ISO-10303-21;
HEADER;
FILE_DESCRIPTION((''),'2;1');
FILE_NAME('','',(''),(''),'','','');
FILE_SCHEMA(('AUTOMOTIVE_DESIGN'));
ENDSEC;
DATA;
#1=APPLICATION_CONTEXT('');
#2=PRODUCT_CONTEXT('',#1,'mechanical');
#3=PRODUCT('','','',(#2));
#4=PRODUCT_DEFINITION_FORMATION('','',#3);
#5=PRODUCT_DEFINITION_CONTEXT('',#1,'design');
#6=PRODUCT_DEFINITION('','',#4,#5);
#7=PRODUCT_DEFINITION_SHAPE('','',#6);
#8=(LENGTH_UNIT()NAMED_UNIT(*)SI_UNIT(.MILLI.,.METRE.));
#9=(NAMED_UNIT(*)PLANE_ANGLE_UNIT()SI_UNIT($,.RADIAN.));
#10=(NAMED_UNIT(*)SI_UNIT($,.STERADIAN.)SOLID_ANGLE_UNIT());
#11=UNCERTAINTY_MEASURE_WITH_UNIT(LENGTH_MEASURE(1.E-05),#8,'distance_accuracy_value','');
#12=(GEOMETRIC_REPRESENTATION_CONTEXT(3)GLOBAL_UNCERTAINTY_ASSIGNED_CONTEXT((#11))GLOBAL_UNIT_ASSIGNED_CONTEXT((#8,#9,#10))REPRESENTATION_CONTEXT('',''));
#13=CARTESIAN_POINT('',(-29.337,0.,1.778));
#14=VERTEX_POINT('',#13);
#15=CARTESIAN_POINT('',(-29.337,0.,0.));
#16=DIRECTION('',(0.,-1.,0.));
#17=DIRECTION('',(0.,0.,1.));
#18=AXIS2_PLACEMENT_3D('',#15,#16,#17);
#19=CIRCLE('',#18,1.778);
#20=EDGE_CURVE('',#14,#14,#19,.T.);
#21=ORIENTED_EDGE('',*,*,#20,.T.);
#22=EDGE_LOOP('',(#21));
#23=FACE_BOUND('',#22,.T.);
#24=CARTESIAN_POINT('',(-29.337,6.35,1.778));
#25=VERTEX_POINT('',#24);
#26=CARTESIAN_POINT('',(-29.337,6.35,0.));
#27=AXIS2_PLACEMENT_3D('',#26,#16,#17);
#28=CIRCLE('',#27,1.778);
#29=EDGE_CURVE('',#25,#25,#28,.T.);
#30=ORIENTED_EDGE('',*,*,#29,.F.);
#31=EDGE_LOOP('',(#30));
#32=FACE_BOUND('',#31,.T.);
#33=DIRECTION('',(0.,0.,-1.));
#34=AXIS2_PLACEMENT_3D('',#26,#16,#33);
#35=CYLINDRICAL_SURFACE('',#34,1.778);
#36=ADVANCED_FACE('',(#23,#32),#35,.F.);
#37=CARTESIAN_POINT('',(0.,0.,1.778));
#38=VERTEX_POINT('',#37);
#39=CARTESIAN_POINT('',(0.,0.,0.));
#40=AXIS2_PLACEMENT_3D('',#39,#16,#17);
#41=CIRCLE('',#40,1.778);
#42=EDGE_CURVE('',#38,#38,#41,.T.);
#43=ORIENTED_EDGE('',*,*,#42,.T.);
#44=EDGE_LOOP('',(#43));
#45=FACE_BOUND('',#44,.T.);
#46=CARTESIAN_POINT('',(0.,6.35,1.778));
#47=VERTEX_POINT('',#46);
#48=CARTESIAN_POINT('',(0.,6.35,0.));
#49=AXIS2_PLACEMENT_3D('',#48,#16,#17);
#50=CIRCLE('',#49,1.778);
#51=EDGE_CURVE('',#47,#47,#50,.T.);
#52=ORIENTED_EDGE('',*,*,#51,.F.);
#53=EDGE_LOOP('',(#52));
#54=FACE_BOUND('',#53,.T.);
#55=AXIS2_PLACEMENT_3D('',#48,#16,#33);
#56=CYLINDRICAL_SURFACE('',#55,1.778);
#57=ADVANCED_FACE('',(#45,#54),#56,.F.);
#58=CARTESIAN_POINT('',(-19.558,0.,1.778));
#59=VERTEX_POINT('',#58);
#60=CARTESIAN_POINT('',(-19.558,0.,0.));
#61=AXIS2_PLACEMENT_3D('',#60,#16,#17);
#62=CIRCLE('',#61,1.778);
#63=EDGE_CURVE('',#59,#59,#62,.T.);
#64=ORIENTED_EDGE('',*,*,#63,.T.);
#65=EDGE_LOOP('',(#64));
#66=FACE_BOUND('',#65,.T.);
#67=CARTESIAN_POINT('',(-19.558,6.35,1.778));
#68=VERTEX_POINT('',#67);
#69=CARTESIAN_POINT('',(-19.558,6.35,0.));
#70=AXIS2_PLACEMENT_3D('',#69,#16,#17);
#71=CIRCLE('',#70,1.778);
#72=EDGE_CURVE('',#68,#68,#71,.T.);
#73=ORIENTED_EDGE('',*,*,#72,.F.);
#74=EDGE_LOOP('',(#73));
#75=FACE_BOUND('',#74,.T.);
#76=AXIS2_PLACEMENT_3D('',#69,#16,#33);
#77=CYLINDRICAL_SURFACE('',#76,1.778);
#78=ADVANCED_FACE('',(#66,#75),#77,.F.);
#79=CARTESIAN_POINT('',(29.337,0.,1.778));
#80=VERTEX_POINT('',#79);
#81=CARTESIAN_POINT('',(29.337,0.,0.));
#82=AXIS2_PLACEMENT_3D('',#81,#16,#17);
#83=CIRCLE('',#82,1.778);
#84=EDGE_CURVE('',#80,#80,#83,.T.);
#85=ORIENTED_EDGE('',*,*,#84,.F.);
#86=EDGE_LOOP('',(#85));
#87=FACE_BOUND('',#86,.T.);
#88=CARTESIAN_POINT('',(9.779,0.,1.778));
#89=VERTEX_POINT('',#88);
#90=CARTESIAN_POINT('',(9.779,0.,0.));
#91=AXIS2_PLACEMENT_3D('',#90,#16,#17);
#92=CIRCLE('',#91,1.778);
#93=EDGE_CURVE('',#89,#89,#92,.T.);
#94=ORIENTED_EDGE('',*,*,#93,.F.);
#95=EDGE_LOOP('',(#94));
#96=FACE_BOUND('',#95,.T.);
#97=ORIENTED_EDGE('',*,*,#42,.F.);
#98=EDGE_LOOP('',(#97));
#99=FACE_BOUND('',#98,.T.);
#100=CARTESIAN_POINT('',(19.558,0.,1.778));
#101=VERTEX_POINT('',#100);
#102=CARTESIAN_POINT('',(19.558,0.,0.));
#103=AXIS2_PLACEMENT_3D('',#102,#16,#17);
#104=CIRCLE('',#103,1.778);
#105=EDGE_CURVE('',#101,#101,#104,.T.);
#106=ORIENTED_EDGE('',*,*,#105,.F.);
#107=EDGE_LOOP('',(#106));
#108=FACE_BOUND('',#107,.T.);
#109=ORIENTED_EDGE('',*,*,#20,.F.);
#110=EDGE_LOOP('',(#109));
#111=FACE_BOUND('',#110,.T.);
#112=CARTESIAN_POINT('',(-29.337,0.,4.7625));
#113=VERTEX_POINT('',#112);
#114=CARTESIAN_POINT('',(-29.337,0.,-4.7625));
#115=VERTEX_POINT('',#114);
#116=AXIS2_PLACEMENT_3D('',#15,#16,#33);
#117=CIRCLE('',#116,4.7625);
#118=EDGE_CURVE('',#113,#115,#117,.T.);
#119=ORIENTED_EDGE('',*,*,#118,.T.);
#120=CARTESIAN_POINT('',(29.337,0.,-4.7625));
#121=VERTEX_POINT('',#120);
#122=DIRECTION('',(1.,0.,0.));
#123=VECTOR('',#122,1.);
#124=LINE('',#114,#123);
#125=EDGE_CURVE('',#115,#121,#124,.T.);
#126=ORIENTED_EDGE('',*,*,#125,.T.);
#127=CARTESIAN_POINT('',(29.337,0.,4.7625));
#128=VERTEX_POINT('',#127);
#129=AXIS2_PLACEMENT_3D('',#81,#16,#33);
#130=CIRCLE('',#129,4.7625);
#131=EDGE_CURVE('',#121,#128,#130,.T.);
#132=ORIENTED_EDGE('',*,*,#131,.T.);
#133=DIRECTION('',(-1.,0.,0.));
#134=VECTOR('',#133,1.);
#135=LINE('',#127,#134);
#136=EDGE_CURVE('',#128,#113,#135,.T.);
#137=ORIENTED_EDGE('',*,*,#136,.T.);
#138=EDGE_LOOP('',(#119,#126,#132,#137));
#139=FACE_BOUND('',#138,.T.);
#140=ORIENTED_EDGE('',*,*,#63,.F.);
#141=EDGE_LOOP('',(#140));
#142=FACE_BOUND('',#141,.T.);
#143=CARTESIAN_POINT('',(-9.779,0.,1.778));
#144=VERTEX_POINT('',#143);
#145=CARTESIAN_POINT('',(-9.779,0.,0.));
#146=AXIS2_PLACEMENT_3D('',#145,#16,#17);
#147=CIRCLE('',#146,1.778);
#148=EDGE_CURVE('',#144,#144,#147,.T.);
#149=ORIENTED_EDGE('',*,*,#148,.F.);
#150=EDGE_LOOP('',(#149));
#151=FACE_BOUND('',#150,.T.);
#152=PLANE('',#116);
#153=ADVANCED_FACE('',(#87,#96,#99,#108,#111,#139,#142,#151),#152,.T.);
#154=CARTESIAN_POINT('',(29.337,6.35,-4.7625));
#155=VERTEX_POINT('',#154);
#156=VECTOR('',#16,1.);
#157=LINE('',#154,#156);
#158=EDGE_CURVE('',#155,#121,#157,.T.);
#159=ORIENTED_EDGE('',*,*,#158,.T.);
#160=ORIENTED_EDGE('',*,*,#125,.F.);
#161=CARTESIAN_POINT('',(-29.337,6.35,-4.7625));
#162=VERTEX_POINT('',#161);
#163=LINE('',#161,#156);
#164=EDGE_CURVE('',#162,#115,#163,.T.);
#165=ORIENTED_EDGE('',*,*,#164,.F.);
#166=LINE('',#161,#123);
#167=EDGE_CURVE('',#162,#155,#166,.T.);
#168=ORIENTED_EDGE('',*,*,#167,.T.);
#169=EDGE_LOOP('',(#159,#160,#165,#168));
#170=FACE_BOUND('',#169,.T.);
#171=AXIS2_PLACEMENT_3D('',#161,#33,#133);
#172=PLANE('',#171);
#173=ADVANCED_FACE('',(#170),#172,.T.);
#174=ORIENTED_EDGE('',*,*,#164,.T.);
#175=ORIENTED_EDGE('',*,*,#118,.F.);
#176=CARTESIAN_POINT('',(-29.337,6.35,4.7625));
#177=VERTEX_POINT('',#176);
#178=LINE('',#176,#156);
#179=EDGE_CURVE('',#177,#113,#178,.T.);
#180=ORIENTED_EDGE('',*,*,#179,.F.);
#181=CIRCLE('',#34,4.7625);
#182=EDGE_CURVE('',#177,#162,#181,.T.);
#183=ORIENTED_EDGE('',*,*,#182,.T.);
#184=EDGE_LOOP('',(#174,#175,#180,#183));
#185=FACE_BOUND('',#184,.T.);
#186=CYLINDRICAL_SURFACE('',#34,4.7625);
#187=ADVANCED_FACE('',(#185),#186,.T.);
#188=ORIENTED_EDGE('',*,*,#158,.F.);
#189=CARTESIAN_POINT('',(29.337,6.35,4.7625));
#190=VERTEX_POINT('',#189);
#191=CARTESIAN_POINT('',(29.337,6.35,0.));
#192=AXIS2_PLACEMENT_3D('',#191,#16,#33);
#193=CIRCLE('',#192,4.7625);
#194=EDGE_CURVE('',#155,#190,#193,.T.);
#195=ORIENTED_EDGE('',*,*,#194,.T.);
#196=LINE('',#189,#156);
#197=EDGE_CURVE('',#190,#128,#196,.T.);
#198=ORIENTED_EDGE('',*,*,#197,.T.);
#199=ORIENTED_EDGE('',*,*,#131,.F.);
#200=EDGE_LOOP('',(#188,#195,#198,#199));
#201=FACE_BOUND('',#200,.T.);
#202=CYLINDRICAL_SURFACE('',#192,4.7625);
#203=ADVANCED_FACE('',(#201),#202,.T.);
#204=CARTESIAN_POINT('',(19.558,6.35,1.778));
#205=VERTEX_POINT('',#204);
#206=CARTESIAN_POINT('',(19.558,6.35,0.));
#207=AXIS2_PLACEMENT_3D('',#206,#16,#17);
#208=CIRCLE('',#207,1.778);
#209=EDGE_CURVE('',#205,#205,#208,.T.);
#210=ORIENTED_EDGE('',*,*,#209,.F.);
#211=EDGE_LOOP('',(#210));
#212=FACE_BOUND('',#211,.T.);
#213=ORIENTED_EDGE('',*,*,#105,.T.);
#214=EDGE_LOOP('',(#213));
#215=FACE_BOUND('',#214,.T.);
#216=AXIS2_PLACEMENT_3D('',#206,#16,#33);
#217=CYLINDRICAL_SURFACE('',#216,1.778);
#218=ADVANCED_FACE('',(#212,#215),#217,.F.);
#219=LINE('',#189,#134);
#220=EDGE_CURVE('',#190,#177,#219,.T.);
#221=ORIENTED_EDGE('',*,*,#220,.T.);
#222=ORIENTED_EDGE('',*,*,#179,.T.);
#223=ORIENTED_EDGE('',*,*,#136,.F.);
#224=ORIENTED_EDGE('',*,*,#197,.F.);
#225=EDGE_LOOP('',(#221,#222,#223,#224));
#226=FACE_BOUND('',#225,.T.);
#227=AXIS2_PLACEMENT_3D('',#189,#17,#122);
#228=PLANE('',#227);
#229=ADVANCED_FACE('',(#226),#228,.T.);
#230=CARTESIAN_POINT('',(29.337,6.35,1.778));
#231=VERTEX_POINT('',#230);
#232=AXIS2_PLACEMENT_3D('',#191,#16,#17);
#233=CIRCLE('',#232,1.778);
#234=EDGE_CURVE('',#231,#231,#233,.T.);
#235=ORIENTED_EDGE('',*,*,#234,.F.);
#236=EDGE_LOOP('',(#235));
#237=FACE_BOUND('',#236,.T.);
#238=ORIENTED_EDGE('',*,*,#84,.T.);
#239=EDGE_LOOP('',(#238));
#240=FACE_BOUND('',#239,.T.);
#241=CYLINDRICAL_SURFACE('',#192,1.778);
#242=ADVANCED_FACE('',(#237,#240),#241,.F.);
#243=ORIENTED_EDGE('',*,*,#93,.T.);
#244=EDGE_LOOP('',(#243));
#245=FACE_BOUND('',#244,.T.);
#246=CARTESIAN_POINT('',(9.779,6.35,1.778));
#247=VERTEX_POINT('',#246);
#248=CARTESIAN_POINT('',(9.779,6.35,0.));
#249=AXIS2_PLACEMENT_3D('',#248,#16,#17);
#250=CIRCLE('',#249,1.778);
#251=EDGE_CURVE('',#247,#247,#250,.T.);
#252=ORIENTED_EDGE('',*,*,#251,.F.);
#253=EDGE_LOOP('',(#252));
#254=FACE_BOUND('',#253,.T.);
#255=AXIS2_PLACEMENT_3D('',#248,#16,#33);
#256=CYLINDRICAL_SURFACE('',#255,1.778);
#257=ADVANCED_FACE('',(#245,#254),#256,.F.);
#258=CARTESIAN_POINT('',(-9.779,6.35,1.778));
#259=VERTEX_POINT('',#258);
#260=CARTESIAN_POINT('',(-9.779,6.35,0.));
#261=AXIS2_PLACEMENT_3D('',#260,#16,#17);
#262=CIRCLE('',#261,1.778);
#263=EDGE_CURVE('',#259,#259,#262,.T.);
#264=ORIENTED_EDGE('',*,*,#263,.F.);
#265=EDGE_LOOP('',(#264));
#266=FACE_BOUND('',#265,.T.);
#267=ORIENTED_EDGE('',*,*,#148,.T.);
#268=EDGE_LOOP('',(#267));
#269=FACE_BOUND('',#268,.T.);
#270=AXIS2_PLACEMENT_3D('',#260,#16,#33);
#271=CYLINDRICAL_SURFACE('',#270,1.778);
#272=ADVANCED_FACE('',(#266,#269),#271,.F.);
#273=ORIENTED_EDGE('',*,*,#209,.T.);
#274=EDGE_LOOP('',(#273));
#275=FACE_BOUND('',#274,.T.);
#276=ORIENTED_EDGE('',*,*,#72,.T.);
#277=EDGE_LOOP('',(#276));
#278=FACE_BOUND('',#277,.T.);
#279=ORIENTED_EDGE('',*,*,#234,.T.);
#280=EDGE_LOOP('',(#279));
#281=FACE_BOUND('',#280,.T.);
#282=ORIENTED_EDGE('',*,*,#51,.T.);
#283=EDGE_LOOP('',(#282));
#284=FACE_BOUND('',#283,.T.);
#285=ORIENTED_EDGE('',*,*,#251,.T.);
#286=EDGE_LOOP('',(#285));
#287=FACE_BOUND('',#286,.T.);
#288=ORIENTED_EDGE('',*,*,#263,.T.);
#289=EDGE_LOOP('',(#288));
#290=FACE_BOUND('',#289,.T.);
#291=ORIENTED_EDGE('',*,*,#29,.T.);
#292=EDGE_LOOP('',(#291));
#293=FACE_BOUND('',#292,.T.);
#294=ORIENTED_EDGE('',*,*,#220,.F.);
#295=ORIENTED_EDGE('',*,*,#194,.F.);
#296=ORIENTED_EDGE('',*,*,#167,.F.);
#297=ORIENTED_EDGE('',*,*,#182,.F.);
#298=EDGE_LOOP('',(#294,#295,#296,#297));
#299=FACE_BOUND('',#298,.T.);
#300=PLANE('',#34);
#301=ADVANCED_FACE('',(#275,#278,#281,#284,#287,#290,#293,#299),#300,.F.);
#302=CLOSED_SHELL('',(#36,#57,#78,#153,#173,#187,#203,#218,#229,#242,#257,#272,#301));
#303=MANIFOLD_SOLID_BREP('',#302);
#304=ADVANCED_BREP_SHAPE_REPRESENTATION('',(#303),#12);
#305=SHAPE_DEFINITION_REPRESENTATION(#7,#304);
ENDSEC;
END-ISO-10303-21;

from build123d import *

# Parameters (mm, degrees)
SKETCH1_R           = 1.778
BOSS_EXTRUDE1_DEPTH = 6.35


with BuildPart() as part:
    # Sketch1 → Boss-Extrude1 (new body)
    with BuildSketch(Plane.XZ):
        with BuildLine():
            Line((-29.337, -4.7625), (29.337, -4.7625))
            ThreePointArc((29.337, -4.7625), (34.0995, 0), (29.337, 4.7625))
            Line((29.337, 4.7625), (-29.337, 4.7625))
            ThreePointArc((-29.337, 4.7625), (-34.0995, 0), (-29.337, -4.7625))
        make_face()
        with Locations(Location((29.337, 0, 0), (0, 0, 90))):
            Circle(SKETCH1_R, mode=Mode.SUBTRACT)
        with Locations(Location((19.558, 0, 0), (0, 0, 90))):
            Circle(SKETCH1_R, mode=Mode.SUBTRACT)
        with Locations(Location((9.779, 0, 0), (0, 0, 90))):
            Circle(SKETCH1_R, mode=Mode.SUBTRACT)
        with Locations(Location((0, 0, 0), (0, 0, 90))):
            Circle(SKETCH1_R, mode=Mode.SUBTRACT)
        with Locations(Location((-9.779, 0, 0), (0, 0, 90))):
            Circle(SKETCH1_R, mode=Mode.SUBTRACT)
        with Locations(Location((-19.558, 0, 0), (0, 0, 90))):
            Circle(SKETCH1_R, mode=Mode.SUBTRACT)
        with Locations(Location((-29.337, 0, 0), (0, 0, 90))):
            Circle(SKETCH1_R, mode=Mode.SUBTRACT)
    extrude(amount=-BOSS_EXTRUDE1_DEPTH)


solid = part.part
